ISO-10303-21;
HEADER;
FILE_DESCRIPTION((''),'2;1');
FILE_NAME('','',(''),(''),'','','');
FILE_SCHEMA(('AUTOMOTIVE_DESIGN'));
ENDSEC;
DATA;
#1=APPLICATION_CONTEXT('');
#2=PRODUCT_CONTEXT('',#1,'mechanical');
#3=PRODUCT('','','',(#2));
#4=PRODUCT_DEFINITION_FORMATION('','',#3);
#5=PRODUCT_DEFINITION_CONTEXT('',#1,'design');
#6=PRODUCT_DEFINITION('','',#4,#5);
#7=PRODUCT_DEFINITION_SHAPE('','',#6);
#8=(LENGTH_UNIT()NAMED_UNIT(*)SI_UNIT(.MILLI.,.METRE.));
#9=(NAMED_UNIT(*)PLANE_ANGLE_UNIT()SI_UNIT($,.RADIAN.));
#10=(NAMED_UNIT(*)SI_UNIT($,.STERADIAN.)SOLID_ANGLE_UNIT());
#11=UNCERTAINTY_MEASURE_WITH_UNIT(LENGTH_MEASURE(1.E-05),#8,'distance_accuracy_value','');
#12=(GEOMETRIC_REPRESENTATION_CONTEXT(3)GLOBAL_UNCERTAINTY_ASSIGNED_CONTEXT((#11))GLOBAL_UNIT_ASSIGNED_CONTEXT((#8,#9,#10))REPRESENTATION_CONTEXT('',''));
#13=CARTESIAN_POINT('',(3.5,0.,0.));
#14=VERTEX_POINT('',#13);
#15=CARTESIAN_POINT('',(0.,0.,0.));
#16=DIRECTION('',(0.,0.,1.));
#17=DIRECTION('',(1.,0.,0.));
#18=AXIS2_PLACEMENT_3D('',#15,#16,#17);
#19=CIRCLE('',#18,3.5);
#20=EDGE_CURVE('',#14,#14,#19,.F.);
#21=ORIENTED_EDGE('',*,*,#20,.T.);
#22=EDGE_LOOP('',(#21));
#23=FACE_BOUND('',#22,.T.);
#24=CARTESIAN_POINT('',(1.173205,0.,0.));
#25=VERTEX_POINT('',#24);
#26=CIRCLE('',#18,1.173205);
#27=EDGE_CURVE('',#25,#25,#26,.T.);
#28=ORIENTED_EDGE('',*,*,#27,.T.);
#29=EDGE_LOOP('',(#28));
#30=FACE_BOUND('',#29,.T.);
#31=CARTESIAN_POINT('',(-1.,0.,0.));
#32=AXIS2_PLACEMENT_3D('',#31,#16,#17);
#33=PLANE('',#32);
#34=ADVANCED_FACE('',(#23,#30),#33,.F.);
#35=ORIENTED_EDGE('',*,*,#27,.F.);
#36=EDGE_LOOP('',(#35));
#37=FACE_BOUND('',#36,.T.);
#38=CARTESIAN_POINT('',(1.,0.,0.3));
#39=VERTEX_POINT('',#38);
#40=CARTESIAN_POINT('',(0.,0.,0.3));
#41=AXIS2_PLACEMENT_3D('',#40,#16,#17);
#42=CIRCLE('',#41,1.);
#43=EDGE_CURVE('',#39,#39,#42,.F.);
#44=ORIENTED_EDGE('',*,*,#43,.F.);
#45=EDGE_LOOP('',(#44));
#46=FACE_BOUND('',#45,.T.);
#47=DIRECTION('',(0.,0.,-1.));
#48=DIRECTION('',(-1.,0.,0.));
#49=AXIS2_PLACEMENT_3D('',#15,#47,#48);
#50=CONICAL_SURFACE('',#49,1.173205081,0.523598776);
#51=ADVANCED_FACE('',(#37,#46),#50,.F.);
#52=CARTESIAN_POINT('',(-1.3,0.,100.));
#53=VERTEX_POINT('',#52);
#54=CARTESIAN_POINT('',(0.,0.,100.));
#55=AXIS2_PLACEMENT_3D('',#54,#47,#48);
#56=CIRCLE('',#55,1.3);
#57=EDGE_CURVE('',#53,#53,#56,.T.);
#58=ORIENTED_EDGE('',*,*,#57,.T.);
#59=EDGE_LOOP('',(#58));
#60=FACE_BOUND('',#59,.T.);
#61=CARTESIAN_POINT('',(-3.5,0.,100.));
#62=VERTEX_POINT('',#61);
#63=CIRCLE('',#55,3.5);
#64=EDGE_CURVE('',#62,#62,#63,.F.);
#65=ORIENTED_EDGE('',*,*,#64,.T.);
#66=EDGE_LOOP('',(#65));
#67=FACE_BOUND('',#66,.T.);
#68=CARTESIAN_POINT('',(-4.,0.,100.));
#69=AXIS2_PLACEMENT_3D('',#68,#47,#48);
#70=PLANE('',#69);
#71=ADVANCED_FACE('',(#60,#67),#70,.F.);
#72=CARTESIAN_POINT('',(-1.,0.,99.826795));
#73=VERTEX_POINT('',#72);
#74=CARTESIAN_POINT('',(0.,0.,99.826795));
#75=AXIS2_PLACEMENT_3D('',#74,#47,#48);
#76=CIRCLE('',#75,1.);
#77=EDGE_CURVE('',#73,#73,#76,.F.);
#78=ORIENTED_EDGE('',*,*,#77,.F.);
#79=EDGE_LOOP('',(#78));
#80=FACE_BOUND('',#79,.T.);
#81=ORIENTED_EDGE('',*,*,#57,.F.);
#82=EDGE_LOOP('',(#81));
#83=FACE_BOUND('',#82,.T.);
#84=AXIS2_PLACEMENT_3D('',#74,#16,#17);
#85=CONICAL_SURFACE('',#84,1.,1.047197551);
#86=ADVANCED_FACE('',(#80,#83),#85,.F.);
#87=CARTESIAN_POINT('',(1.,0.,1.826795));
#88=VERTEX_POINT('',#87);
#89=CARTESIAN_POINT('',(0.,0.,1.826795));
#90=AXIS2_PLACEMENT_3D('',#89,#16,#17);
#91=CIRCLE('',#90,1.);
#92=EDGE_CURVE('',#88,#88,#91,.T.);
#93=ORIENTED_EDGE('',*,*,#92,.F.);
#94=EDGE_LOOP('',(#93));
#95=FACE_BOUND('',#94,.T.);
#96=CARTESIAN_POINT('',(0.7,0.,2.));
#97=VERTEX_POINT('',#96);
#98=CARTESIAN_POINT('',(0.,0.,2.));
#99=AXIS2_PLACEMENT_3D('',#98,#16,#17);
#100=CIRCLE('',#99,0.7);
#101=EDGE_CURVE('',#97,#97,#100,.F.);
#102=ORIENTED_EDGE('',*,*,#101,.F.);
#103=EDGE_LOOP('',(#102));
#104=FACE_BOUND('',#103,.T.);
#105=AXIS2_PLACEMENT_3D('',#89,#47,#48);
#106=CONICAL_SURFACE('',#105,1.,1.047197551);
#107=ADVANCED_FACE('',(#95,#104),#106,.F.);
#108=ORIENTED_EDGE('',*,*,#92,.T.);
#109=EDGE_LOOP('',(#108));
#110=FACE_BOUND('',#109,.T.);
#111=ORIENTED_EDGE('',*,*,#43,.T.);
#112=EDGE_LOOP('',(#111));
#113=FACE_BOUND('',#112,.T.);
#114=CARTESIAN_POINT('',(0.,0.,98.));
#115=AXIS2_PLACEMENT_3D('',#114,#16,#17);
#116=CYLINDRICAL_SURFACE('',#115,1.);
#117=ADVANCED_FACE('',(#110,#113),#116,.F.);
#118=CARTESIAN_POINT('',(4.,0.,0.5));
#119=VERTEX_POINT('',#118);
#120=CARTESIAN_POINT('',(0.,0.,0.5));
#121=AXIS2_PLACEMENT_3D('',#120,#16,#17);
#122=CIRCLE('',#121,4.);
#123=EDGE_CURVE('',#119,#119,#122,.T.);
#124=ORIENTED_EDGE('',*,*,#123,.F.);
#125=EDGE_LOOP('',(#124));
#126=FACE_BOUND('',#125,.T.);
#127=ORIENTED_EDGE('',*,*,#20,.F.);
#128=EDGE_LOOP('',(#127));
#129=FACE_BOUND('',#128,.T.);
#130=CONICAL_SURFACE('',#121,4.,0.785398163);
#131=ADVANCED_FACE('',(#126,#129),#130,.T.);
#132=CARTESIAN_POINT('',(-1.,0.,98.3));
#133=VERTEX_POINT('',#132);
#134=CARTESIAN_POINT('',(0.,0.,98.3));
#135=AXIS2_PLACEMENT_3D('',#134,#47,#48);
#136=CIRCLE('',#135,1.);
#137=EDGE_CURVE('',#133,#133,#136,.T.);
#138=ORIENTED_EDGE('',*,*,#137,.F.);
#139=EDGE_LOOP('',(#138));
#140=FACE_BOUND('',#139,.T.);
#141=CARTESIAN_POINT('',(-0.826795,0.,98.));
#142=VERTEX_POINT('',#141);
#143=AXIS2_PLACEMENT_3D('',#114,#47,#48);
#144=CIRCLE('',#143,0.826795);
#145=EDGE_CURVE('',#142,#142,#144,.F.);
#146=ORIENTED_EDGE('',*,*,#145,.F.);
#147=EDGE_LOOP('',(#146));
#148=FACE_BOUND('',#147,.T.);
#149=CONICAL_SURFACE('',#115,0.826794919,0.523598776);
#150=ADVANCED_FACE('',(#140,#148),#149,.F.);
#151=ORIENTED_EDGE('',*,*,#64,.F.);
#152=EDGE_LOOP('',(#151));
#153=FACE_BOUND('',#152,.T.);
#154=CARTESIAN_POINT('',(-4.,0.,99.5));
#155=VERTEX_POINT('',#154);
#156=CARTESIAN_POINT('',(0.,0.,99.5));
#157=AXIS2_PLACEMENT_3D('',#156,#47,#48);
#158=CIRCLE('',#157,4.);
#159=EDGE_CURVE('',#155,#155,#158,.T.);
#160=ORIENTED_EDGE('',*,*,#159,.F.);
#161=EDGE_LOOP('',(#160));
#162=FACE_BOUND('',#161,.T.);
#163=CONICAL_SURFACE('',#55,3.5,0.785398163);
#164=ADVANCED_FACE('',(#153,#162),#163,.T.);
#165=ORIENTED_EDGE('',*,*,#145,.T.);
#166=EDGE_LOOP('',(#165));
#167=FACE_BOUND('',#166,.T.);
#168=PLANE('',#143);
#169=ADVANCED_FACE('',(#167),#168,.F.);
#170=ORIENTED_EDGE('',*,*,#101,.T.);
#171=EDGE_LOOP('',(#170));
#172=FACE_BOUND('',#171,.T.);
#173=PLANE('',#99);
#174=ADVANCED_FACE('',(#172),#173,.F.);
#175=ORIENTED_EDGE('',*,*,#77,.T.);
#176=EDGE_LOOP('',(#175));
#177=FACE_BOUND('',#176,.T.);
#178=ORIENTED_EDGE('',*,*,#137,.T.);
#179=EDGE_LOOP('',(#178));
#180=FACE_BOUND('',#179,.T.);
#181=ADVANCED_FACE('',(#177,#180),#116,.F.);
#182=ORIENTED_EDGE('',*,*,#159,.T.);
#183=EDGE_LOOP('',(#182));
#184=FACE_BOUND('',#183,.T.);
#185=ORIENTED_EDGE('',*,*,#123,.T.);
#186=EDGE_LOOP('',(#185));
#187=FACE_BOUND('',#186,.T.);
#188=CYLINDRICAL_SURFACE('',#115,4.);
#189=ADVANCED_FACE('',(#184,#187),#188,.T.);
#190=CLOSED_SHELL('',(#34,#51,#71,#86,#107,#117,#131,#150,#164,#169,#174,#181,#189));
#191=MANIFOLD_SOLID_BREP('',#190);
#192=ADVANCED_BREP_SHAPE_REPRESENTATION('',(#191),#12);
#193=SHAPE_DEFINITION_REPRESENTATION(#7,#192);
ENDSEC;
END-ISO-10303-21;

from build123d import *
from OCP.BRepFilletAPI import BRepFilletAPI_MakeChamfer

# Parameters (mm, degrees)
CHAMFER1_SIZE  = 0.5
CHAMFER2_SIZE  = 0.3
CHAMFER2_SIZE2 = 0.173205081


with BuildPart() as part:
    # Sketch1 → Revolve1 (revolve)
    with BuildSketch(Plane(origin=(0, 0, 0), x_dir=(1, 0, 0), z_dir=(0, 1, 0)), mode=Mode.PRIVATE) as revolve1_sk:
        Polygon((-1, 0), (-4, 0), (-4, -100), (-1, -100), (-1, -98), (0, -98), (0, -2), (-1, -2), align=None)
    revolve(revolve1_sk.sketch.rotate(Axis((0, 0, 98), (0, 0, -1)), 180), axis=Axis((0, 0, 98), (0, 0, -1)))

    # Chamfer1
    chamfer1_edges = [part.edges().sort_by_distance(p)[0] for p in [
        (-4, 0, 100),
        (-4, 0, 0),
    ]]
    chamfer(chamfer1_edges, length=CHAMFER1_SIZE)

    # Chamfer2: one chamfer whose edges measure the first distance from different faces: ONE call of the kernel's chamfer builder (chamfer() names one face for all edges)
    chamfer2_edges_1 = [part.edges().sort_by_distance(p)[0] for p in [
        (-1, 0, 2),
    ]]
    chamfer2_side_1 = [part.faces().sort_by_distance(p)[0] for p in [
        (0, 0, 2),
    ]]
    chamfer2_edges_2 = [part.edges().sort_by_distance(p)[0] for p in [
        (-1, 0, 98),
    ]]
    chamfer2_side_2 = [part.faces().sort_by_distance(p)[0] for p in [
        (-1, 0, 99),
    ]]
    chamfer2_edges_3 = [part.edges().sort_by_distance(p)[0] for p in [
        (-1, 0, 100),
    ]]
    chamfer2_side_3 = [part.faces().sort_by_distance(p)[0] for p in [
        (-3.401005051, 0, 100),
    ]]
    chamfer2_edges_4 = [part.edges().sort_by_distance(p)[0] for p in [
        (-1, 0, 0),
    ]]
    chamfer2_side_4 = [part.faces().sort_by_distance(p)[0] for p in [
        (-1, 0, 1),
    ]]
    chamfer2 = BRepFilletAPI_MakeChamfer(part.part.solid().wrapped)
    for e in chamfer2_edges_1:
        chamfer2.Add(CHAMFER2_SIZE, CHAMFER2_SIZE2, e.wrapped, chamfer2_side_1[0].wrapped)  # the first distance lies on this face
    for e in chamfer2_edges_2:
        chamfer2.Add(CHAMFER2_SIZE, CHAMFER2_SIZE2, e.wrapped, chamfer2_side_2[0].wrapped)  # the first distance lies on this face
    for e in chamfer2_edges_3:
        chamfer2.Add(CHAMFER2_SIZE, CHAMFER2_SIZE2, e.wrapped, chamfer2_side_3[0].wrapped)  # the first distance lies on this face
    for e in chamfer2_edges_4:
        chamfer2.Add(CHAMFER2_SIZE, CHAMFER2_SIZE2, e.wrapped, chamfer2_side_4[0].wrapped)  # the first distance lies on this face
    add(Compound.cast(chamfer2.Shape()), mode=Mode.REPLACE)


solid = part.part
